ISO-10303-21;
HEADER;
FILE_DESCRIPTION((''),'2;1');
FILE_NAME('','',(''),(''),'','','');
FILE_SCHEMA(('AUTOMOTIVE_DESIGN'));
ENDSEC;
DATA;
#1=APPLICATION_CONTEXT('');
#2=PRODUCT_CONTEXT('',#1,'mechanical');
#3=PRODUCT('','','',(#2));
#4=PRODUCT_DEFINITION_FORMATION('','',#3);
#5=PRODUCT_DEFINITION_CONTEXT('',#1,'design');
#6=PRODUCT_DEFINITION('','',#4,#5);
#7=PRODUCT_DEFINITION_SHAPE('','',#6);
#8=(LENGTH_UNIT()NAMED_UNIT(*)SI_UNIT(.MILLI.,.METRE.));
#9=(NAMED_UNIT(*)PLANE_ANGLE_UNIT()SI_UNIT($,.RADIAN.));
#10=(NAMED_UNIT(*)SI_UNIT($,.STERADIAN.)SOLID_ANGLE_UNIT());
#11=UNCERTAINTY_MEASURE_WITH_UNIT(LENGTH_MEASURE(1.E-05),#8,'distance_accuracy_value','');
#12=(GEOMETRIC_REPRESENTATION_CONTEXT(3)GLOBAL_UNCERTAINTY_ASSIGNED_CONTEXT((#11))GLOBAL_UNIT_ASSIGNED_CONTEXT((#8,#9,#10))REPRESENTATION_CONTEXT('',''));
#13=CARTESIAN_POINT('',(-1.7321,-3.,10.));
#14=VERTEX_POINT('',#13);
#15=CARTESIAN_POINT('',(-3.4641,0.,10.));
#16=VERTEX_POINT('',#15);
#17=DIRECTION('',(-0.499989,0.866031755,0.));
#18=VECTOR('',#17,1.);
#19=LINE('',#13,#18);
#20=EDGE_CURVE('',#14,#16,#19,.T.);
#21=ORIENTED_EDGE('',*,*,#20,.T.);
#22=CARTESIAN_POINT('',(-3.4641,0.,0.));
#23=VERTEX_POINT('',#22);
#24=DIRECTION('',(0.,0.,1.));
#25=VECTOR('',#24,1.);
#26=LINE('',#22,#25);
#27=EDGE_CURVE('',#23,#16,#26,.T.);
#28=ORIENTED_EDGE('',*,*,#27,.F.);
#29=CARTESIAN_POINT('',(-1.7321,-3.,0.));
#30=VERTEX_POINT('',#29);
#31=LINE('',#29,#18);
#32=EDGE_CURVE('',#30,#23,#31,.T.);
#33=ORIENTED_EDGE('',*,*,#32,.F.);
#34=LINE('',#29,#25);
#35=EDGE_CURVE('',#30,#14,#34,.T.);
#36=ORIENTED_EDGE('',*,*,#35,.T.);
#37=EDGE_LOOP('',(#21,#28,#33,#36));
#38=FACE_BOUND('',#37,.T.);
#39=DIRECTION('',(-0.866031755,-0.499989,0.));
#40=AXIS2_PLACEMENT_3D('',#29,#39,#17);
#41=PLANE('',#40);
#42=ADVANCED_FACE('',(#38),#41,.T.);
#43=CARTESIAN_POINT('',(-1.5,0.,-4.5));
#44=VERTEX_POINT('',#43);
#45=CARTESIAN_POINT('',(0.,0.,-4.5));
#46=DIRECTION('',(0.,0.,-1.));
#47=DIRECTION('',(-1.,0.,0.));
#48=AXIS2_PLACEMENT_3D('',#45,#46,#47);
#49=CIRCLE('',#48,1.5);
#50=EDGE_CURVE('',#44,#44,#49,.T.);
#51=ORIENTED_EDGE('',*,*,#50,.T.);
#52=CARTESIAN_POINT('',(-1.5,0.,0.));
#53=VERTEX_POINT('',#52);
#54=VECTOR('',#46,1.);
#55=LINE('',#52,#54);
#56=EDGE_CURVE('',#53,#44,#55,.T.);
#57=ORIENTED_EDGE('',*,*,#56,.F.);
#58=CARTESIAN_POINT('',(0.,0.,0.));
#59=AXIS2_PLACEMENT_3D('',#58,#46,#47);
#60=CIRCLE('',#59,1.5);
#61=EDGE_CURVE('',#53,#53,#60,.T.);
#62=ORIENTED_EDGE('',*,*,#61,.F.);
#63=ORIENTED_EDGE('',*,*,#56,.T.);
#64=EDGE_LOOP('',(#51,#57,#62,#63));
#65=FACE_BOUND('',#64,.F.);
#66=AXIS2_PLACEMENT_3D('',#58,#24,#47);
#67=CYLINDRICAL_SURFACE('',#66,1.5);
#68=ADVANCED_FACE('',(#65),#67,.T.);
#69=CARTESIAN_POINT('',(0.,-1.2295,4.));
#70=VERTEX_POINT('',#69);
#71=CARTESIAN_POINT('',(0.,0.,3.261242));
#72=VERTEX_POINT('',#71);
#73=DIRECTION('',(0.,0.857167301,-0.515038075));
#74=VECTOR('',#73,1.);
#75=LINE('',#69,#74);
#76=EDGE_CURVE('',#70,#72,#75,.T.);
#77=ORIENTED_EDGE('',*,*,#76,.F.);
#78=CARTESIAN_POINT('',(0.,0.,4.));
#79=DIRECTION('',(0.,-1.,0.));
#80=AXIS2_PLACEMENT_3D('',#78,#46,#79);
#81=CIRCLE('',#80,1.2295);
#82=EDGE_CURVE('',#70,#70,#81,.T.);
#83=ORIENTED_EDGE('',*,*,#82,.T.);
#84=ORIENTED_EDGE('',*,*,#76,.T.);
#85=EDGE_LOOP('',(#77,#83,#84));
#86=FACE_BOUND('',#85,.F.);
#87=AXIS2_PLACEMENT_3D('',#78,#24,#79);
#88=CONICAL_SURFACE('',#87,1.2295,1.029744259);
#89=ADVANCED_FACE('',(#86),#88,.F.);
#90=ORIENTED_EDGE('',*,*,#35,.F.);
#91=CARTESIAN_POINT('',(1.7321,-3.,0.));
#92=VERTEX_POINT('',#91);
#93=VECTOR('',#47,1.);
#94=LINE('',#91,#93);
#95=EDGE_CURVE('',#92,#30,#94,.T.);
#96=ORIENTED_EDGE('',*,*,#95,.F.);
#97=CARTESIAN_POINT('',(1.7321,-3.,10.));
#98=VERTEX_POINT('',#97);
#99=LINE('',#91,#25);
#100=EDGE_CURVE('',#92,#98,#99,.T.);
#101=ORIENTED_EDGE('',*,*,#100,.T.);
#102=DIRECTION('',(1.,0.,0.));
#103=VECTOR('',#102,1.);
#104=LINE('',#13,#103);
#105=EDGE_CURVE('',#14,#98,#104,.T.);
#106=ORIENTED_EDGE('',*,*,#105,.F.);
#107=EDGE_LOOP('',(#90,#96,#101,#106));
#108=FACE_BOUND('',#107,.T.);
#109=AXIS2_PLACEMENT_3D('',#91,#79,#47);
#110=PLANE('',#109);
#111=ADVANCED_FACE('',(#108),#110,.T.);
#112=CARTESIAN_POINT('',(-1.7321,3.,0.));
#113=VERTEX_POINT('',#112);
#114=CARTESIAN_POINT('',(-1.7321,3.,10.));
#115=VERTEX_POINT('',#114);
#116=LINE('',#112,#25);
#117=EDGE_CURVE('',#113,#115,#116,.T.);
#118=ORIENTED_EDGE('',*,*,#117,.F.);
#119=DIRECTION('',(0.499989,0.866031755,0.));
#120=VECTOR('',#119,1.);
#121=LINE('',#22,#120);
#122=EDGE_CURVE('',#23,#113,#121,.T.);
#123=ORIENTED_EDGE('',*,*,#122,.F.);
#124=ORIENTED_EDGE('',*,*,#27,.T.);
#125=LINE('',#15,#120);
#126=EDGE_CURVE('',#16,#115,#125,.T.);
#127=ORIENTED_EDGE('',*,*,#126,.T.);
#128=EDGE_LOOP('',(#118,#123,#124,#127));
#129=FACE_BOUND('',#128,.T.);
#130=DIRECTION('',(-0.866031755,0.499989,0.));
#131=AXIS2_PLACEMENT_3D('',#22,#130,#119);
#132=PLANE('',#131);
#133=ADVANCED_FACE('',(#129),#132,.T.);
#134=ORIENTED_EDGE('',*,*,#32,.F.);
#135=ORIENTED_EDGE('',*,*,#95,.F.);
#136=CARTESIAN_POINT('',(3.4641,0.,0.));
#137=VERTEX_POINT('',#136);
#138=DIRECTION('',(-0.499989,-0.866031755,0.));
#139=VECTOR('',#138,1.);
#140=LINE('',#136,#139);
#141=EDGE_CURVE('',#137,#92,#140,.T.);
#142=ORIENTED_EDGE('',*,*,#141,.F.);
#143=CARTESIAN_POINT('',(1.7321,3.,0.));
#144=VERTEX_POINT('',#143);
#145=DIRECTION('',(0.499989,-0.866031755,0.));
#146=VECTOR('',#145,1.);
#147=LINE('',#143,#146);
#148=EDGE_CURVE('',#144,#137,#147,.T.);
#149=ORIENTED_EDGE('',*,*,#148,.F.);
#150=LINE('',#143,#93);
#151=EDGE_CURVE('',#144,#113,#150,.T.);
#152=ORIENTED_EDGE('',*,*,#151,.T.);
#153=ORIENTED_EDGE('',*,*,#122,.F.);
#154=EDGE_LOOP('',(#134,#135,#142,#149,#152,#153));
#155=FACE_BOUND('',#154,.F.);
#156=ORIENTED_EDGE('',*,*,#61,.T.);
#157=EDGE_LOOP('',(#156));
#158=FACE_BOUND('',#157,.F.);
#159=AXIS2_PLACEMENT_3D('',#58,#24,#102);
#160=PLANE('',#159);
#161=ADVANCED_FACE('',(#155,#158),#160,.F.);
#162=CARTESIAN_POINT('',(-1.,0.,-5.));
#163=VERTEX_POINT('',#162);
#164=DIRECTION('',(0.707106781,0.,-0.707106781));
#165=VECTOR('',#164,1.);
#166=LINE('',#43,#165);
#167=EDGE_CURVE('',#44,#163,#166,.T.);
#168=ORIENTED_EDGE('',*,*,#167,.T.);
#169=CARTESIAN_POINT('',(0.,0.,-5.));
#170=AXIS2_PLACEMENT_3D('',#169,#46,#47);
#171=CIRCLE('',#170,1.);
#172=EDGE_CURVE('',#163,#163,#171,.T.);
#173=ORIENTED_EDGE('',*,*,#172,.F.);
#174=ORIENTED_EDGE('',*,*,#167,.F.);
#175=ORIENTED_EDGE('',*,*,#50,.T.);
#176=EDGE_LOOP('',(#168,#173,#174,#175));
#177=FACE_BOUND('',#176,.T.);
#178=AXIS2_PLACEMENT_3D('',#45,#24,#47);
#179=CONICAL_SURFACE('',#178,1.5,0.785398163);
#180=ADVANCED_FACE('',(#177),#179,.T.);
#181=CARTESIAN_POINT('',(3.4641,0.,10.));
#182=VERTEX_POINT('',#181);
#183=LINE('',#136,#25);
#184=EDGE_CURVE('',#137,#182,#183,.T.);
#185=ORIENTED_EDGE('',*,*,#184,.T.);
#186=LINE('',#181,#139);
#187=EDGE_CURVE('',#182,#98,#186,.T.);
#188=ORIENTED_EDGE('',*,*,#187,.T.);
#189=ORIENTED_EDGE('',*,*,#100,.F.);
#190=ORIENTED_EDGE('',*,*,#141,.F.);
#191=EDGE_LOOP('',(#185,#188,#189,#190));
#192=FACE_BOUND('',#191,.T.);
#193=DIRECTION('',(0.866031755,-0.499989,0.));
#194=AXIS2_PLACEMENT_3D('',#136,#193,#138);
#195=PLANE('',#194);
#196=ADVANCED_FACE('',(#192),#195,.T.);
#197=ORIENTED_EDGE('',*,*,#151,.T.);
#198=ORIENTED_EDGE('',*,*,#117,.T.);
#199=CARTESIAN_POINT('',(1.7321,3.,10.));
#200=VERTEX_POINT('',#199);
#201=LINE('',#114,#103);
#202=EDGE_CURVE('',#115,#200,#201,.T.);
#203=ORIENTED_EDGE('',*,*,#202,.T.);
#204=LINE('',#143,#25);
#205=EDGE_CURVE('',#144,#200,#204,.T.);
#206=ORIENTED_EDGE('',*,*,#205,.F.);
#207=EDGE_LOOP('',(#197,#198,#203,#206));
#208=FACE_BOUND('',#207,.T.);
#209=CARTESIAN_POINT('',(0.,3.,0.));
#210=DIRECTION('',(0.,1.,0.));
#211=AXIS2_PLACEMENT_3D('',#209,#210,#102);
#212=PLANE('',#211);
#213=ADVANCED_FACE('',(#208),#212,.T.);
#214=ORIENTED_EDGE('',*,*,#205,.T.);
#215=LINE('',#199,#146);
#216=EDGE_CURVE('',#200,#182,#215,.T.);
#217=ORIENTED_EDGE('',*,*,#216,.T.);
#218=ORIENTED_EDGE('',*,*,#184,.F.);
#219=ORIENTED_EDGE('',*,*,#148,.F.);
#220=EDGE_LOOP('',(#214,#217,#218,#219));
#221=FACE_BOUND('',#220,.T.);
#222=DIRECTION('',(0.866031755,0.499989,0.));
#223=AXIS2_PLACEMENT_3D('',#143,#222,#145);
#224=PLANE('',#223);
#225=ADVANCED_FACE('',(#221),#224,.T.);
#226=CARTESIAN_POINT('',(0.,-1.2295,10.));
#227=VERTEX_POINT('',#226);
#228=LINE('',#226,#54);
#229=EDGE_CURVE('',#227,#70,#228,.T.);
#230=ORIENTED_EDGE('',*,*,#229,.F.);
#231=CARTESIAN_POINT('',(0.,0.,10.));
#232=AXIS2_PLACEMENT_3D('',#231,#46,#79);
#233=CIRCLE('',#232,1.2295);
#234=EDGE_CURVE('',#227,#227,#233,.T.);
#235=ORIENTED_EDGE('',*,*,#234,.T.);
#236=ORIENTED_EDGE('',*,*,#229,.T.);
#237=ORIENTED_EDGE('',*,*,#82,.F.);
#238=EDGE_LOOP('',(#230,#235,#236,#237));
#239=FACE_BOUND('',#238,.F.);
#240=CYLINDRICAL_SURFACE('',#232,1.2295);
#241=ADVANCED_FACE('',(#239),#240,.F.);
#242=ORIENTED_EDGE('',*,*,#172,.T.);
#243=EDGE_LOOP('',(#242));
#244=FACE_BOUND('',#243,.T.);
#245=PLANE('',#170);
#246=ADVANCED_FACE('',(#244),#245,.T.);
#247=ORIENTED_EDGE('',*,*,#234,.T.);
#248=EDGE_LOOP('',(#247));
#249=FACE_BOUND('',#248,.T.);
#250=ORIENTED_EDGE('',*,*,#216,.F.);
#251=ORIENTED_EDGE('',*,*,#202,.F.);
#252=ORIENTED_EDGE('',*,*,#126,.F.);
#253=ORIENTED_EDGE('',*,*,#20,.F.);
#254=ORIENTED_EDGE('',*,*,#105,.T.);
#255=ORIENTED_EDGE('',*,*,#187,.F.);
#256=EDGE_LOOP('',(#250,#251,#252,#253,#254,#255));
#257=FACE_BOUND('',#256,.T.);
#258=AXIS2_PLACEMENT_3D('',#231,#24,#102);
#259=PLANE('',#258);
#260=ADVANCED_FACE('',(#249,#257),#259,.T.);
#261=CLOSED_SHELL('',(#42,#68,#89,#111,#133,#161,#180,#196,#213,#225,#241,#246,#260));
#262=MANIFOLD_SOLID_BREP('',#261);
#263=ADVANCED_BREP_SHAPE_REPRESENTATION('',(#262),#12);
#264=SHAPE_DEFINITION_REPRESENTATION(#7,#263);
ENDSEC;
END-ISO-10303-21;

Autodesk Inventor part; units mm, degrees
ref_plane "YZ Plane" through (0, 0, 0) normal (1, 0, 0) x (0, 1, 0)
ref_plane "XZ Plane" through (0, 0, 0) normal (0, 1, 0) x (-1, 0, 0)
ref_plane "XY Plane" through (0, 0, 0) normal (0, 0, 1) x (1, 0, 0)
sketch "Sketch1" plane through (0, 0, 0) normal (0, 0, 1) x (1, 0, 0)
  line L0 (0, 4.2) -> (0, -4.2) projected
  line L1 (-4.8497, 0) -> (4.8497, 0) projected
  line L2 (-3.4641, 0) -> (-1.7321, 3)
  line L3 (-1.7321, 3) -> (1.7321, 3)
  line L4 (1.7321, 3) -> (3.4641, 0)
  line L5 (3.4641, 0) -> (1.7321, -3)
  line L6 (1.7321, -3) -> (-1.7321, -3)
  line L7 (-1.7321, -3) -> (-3.4641, 0)
  point P0 (0, 0)
  dimension "d0" = 6
extrude "Extrusion1" add sketch "Sketch1" along normal blind 10
sketch "Sketch2" plane through (0, 0, 10) normal (0, 0, 1) x (1, 0, 0)
  point P0 (0, 0)
  point P1 (0, 0)
hole "Hole1" at (0, 0, 10) direction (0, 0, -1) diameter 2.459 depth 6 tip angle 118 thread size "M3x0.5" class "6H" standard "ISO Metric profile"
sketch "Sketch3" plane through (0, 0, 0) normal (0, 0, -1) x (-1, 0, 0)
  circle A0 centre (0, 0) radius 1.5
  dimension "d10" = 3
extrude "Extrusion2" add sketch "Sketch3" along normal blind 5
chamfer "Chamfer1" distance 0.5 angle 45 1 edges at (1.5, 0, -5)
thread "Thread1" size "M3x0.5" class "6g" standard "ISO Metric profile" full length
properties part number "Entretoise Hex 6 x 10"
